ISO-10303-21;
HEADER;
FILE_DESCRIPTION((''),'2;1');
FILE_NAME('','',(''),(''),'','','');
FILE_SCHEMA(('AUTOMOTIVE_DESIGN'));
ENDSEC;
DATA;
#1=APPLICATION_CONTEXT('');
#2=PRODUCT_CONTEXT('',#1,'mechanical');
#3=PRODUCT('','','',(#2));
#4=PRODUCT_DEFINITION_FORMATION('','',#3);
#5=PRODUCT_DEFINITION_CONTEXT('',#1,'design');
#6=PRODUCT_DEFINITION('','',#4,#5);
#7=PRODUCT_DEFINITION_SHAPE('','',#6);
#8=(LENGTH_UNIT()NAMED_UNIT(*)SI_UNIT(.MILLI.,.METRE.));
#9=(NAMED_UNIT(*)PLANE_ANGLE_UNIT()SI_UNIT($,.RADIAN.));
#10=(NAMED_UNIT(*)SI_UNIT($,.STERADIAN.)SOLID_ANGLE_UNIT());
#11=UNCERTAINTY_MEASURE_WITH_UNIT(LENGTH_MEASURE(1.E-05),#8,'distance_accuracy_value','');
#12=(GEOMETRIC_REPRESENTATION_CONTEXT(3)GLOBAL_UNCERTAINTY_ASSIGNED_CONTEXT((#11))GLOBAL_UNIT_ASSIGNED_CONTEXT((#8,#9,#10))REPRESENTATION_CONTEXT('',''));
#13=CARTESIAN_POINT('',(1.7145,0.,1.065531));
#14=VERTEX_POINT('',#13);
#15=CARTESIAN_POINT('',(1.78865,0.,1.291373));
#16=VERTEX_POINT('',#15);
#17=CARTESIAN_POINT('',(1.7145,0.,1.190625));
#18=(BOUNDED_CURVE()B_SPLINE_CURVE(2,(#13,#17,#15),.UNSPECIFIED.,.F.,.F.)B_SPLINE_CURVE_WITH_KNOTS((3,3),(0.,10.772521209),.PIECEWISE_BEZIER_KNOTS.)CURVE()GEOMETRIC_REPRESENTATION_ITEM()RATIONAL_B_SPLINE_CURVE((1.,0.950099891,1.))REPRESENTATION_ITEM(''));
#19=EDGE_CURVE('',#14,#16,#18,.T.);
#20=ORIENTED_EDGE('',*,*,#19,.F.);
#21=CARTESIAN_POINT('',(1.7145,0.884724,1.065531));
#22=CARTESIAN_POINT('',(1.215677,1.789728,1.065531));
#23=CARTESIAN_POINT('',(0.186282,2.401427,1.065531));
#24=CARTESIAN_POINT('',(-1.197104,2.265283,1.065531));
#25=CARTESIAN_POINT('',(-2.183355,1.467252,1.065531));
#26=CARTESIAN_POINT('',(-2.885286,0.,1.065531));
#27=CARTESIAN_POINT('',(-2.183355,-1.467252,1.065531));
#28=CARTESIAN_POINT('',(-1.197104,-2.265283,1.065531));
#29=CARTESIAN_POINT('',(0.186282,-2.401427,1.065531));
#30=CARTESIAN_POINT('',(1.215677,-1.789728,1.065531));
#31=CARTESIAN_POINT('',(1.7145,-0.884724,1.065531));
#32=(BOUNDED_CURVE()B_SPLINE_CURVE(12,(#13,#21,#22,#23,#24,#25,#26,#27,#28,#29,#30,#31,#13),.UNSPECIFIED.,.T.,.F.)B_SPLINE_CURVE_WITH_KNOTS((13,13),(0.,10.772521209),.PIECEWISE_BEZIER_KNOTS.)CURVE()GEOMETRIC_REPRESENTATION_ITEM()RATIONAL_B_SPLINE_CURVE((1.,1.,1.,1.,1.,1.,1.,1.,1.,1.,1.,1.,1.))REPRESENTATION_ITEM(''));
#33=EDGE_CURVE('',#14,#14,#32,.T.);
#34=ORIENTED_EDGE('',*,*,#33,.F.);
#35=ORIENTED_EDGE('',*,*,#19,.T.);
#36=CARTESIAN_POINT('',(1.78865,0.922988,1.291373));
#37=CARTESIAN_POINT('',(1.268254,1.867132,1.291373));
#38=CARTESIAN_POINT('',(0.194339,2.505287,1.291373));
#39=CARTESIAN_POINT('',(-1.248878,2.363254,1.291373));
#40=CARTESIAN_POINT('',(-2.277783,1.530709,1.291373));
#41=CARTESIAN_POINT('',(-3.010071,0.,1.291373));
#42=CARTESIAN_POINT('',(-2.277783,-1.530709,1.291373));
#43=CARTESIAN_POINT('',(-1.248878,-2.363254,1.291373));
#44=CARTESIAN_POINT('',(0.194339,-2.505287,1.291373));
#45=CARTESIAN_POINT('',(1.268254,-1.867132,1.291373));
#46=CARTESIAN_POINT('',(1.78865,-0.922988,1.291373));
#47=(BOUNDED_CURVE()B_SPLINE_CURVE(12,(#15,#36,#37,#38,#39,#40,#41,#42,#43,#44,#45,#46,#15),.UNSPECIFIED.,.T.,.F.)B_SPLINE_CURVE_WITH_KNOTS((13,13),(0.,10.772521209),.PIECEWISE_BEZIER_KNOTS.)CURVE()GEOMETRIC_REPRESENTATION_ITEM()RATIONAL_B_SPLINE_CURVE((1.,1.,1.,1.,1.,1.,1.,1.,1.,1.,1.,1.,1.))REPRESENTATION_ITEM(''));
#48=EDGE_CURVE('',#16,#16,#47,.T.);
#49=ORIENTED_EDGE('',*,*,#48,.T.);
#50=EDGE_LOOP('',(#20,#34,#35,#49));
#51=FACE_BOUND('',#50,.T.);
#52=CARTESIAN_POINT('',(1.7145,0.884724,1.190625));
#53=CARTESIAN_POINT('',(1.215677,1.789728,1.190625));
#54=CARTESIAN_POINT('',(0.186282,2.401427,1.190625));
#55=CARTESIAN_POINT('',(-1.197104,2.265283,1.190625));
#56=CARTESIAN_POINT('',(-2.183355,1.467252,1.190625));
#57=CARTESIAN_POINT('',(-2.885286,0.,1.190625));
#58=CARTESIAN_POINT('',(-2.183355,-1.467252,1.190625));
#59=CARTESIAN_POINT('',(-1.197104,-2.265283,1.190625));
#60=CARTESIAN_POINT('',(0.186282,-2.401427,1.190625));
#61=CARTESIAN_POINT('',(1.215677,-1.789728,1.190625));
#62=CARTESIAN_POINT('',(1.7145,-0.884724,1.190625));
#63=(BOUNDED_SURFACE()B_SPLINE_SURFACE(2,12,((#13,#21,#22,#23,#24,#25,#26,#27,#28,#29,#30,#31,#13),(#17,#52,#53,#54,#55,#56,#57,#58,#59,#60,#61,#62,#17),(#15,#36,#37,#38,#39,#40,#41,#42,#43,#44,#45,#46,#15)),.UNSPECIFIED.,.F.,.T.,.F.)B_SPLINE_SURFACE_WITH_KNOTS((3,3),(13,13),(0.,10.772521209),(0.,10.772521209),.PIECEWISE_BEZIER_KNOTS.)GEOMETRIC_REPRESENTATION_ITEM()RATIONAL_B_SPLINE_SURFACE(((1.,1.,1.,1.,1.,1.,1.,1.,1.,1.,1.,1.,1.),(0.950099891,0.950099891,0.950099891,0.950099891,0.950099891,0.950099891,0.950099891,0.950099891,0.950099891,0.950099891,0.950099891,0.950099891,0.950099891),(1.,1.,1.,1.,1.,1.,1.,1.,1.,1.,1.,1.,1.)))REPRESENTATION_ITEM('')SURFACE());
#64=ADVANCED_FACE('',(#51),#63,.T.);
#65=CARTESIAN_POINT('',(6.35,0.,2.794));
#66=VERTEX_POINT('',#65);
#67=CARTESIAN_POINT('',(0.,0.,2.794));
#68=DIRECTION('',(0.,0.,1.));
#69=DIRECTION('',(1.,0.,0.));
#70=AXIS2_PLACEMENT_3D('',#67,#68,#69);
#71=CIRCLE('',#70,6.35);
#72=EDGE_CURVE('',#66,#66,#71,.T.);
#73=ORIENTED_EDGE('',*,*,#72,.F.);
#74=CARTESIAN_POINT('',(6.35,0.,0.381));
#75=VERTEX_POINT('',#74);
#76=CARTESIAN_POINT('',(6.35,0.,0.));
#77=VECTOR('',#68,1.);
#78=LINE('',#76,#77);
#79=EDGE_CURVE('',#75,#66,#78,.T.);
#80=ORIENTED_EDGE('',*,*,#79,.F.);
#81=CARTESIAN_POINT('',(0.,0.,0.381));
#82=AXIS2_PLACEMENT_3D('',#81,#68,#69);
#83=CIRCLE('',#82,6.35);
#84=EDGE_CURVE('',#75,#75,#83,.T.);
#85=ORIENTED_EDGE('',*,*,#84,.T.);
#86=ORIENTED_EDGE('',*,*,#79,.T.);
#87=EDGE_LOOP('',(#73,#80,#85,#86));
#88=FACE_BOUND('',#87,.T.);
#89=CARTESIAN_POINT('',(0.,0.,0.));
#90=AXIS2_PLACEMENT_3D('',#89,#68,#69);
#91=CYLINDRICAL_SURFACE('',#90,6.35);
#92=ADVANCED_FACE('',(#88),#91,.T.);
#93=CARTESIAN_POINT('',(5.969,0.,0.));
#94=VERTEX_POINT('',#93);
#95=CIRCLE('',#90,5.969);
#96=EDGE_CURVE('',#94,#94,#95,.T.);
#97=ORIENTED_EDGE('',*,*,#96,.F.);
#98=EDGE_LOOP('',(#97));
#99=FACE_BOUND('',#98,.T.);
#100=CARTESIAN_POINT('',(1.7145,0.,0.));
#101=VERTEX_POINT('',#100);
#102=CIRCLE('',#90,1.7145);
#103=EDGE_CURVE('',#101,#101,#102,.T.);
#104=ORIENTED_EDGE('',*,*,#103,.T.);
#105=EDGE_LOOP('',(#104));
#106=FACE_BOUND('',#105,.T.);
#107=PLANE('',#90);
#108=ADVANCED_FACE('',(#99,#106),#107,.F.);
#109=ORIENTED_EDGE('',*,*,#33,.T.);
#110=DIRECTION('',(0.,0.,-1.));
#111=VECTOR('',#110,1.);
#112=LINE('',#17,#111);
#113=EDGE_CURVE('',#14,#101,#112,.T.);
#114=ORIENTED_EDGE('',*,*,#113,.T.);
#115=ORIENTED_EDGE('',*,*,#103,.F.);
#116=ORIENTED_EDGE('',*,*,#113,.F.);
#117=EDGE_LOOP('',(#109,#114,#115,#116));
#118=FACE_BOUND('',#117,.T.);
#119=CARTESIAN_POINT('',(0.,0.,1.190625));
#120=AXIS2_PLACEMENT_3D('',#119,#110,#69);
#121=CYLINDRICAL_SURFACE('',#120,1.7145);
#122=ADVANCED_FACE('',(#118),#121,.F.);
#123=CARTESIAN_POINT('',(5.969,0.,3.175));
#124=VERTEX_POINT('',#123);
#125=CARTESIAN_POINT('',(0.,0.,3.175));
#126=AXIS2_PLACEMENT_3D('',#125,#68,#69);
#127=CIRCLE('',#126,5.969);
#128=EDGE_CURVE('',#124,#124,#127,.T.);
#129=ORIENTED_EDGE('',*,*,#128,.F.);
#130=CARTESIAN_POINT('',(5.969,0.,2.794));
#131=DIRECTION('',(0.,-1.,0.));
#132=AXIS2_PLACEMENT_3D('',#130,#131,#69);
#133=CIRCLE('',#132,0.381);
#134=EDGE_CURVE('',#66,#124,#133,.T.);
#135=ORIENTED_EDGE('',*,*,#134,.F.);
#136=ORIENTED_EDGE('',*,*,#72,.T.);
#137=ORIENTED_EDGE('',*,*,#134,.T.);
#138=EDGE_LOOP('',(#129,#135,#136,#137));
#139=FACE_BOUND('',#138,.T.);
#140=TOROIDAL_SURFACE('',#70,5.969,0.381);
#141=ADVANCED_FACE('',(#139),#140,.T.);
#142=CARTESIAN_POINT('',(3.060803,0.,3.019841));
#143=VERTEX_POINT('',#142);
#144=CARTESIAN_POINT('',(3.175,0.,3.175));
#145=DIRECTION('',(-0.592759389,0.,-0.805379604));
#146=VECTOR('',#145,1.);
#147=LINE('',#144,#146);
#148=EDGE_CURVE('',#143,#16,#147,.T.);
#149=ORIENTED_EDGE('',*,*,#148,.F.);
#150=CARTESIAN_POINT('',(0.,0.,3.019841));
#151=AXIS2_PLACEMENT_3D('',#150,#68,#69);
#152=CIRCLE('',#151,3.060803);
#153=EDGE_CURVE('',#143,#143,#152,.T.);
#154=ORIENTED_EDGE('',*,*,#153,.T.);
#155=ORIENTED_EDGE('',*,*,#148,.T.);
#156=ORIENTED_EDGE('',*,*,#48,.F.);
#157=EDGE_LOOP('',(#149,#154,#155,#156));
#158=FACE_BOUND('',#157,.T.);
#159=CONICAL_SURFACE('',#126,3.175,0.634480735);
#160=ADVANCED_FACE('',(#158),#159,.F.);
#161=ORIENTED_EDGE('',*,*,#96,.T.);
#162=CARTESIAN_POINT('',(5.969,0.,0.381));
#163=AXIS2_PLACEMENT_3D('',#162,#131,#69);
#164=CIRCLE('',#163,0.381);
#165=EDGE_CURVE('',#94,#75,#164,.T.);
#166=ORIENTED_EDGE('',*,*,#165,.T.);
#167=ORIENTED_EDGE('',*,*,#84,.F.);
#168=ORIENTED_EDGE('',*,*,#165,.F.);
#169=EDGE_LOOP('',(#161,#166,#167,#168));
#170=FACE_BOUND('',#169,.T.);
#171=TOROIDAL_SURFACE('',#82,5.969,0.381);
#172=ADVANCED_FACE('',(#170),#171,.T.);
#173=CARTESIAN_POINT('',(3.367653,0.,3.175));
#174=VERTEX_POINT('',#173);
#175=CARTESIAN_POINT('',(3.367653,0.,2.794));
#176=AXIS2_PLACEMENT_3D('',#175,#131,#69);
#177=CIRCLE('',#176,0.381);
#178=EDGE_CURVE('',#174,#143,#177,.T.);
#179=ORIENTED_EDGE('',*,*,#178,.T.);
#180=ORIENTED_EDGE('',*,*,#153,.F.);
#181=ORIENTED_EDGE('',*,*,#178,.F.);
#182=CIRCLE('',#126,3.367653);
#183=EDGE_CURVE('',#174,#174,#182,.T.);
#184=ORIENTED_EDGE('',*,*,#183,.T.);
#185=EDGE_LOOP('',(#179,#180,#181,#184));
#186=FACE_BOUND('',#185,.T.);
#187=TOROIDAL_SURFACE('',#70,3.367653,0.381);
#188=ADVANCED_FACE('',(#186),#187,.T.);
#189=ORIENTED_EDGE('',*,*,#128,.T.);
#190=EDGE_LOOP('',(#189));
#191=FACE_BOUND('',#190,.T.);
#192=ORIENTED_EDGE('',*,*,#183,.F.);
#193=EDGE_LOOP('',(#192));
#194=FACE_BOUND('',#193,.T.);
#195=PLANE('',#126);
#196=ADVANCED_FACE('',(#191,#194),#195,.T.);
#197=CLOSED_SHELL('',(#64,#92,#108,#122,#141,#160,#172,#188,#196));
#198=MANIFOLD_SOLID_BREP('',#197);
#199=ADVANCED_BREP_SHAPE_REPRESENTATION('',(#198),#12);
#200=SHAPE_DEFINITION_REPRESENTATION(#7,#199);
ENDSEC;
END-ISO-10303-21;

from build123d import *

# Parameters (mm, degrees)
F2_R = 0.381


with BuildPart() as f1:
    # F0 (on Front) → F1 (revolve)
    with BuildSketch(Plane.XZ):
        Polygon((1.7145, 1.190625), (1.7145, 0), (6.35, 0), (6.35, 3.175), (3.175, 3.175), align=None)
    revolve(axis=Axis((0, 0, 3.017198), (0, 0, 1)))

    # F2
    f2_edges = [f1.edges().sort_by_distance(p)[0] for p in [
        (-3.175, 0, 3.175),
        (-1.7145, 0, 1.190625),
        (-6.35, 0, 3.175),
        (-6.35, 0, 0),
    ]]
    fillet(f2_edges, radius=F2_R)


solid = f1.part
